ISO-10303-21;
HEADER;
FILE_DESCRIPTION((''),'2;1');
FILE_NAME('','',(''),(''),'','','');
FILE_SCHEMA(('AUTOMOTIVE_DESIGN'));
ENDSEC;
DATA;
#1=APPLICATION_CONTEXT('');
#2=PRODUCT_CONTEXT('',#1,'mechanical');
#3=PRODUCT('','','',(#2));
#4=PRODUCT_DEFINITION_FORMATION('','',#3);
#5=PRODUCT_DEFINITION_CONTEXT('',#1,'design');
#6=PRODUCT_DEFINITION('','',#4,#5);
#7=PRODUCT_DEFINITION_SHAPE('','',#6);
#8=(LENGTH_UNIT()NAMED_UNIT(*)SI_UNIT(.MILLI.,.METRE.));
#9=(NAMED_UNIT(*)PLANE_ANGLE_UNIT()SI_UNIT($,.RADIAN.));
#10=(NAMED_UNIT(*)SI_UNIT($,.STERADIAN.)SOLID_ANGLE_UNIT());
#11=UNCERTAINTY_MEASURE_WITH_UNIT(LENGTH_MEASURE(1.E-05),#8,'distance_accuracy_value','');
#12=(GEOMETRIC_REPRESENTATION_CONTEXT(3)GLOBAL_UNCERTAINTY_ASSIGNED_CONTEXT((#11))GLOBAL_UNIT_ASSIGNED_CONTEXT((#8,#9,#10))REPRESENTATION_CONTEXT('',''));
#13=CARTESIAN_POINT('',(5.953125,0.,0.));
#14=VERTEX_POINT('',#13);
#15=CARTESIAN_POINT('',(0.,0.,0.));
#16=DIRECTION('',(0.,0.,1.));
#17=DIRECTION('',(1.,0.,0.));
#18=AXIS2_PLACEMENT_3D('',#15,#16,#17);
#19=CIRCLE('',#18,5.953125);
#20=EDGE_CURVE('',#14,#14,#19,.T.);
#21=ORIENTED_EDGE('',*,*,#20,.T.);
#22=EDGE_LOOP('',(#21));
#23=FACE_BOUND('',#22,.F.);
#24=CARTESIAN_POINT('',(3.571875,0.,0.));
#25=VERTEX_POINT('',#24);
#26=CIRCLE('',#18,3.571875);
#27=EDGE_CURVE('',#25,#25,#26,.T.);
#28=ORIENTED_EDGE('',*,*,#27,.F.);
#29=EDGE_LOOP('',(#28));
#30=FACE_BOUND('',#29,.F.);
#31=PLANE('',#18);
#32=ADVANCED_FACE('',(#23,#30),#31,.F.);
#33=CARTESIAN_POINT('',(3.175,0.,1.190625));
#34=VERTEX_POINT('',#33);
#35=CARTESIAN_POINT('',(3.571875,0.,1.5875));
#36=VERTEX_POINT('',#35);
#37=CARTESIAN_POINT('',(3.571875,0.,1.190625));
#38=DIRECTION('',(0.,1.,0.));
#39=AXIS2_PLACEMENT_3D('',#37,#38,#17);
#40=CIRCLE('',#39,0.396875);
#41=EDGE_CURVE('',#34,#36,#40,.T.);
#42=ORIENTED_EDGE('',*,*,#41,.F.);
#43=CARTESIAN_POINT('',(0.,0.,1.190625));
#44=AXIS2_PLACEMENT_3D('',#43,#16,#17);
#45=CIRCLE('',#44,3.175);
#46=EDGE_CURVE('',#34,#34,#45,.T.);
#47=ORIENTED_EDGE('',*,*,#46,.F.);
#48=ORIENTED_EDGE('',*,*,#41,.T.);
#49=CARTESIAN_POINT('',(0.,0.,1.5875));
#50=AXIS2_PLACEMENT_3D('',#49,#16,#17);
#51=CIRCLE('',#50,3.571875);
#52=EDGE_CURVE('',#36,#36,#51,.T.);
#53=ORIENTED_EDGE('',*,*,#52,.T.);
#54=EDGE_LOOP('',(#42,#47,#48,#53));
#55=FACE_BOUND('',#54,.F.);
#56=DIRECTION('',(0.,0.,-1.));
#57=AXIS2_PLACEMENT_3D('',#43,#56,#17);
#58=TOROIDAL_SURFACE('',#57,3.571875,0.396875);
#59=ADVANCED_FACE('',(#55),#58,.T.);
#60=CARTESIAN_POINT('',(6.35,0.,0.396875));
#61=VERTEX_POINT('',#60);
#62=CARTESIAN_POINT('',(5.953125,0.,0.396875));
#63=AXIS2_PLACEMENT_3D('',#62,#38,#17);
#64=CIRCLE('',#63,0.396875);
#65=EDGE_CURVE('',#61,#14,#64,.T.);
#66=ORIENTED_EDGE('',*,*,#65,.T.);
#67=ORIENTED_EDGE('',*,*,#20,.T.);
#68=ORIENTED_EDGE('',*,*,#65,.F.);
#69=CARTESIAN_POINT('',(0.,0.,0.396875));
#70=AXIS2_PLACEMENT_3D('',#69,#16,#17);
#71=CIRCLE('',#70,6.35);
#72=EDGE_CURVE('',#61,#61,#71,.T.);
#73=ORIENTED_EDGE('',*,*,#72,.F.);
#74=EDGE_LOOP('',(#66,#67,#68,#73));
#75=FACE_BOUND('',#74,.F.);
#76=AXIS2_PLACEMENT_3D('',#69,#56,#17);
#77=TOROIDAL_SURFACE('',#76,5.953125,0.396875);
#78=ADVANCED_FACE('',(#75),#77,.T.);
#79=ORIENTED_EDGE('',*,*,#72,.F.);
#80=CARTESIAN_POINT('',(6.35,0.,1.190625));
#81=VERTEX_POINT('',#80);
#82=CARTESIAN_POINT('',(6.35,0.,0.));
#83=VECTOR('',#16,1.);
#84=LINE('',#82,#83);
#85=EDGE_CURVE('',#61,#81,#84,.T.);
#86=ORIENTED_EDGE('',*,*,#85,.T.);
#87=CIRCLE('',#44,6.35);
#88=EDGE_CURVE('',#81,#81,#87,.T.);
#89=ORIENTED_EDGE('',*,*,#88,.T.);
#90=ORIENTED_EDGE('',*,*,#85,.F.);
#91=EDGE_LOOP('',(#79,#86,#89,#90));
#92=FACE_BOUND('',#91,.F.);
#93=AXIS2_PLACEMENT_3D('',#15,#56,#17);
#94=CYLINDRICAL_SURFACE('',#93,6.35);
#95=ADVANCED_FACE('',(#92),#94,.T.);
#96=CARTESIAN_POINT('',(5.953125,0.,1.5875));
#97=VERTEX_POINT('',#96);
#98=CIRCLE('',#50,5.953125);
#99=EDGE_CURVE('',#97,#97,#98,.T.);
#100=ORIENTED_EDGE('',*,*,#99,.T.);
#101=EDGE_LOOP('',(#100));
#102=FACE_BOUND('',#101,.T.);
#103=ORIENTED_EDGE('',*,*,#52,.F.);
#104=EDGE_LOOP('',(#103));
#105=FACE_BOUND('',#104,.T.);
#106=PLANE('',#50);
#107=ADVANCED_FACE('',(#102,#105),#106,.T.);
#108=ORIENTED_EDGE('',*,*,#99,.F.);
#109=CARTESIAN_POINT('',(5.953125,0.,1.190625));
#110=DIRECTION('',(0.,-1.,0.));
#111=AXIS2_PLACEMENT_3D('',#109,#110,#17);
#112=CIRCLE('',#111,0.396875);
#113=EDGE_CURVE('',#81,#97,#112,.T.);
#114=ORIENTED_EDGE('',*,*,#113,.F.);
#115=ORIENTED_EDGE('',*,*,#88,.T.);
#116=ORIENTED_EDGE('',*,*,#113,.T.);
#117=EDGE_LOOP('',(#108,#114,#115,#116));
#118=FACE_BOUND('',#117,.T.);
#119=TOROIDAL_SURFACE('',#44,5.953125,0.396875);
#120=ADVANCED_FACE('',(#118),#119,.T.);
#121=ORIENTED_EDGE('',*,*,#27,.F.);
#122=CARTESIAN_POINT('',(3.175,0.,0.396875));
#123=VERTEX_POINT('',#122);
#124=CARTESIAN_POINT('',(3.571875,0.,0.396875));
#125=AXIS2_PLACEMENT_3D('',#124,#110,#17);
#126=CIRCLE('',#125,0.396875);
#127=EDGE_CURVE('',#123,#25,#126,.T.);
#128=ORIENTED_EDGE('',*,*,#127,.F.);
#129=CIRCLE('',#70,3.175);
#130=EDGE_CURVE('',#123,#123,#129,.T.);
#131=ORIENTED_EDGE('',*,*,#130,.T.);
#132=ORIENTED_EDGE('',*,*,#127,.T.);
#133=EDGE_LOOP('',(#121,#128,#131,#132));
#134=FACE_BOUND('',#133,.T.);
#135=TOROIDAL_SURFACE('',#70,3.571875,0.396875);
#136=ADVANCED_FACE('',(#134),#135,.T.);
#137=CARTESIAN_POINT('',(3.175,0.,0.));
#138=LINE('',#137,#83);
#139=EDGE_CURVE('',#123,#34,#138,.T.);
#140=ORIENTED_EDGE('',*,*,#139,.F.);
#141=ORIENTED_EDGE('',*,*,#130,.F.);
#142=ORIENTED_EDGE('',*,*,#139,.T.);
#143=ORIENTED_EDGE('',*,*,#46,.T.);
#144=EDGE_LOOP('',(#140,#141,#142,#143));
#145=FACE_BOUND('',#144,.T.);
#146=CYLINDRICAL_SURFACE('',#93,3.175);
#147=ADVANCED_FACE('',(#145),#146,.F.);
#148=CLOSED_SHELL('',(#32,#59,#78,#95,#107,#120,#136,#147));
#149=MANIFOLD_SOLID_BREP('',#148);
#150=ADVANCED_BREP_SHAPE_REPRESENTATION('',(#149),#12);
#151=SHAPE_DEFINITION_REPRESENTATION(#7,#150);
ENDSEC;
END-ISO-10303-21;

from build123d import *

# Parameters (mm, degrees)
F0_R     = 6.35
F0_R_2   = 3.175
F1_DEPTH = 1.5875
F2_R     = 0.396875


with BuildPart() as f1:
    # F0 (on Top) → F1 (new body)
    with BuildSketch(Plane.XY):
        Circle(F0_R)
        Circle(F0_R_2, mode=Mode.SUBTRACT)
    extrude(amount=F1_DEPTH)

    # F2
    f2_edges = [f1.edges().sort_by_distance(p)[0] for p in [
        (-6.35, 0, 0),
        (-3.175, 0, 0),
        (-3.175, 0, 1.5875),
        (3.175, 0, 0.79375),
        (-6.35, 0, 1.5875),
        (6.35, 0, 0.79375),
    ]]
    fillet(f2_edges, radius=F2_R)


solid = f1.part
